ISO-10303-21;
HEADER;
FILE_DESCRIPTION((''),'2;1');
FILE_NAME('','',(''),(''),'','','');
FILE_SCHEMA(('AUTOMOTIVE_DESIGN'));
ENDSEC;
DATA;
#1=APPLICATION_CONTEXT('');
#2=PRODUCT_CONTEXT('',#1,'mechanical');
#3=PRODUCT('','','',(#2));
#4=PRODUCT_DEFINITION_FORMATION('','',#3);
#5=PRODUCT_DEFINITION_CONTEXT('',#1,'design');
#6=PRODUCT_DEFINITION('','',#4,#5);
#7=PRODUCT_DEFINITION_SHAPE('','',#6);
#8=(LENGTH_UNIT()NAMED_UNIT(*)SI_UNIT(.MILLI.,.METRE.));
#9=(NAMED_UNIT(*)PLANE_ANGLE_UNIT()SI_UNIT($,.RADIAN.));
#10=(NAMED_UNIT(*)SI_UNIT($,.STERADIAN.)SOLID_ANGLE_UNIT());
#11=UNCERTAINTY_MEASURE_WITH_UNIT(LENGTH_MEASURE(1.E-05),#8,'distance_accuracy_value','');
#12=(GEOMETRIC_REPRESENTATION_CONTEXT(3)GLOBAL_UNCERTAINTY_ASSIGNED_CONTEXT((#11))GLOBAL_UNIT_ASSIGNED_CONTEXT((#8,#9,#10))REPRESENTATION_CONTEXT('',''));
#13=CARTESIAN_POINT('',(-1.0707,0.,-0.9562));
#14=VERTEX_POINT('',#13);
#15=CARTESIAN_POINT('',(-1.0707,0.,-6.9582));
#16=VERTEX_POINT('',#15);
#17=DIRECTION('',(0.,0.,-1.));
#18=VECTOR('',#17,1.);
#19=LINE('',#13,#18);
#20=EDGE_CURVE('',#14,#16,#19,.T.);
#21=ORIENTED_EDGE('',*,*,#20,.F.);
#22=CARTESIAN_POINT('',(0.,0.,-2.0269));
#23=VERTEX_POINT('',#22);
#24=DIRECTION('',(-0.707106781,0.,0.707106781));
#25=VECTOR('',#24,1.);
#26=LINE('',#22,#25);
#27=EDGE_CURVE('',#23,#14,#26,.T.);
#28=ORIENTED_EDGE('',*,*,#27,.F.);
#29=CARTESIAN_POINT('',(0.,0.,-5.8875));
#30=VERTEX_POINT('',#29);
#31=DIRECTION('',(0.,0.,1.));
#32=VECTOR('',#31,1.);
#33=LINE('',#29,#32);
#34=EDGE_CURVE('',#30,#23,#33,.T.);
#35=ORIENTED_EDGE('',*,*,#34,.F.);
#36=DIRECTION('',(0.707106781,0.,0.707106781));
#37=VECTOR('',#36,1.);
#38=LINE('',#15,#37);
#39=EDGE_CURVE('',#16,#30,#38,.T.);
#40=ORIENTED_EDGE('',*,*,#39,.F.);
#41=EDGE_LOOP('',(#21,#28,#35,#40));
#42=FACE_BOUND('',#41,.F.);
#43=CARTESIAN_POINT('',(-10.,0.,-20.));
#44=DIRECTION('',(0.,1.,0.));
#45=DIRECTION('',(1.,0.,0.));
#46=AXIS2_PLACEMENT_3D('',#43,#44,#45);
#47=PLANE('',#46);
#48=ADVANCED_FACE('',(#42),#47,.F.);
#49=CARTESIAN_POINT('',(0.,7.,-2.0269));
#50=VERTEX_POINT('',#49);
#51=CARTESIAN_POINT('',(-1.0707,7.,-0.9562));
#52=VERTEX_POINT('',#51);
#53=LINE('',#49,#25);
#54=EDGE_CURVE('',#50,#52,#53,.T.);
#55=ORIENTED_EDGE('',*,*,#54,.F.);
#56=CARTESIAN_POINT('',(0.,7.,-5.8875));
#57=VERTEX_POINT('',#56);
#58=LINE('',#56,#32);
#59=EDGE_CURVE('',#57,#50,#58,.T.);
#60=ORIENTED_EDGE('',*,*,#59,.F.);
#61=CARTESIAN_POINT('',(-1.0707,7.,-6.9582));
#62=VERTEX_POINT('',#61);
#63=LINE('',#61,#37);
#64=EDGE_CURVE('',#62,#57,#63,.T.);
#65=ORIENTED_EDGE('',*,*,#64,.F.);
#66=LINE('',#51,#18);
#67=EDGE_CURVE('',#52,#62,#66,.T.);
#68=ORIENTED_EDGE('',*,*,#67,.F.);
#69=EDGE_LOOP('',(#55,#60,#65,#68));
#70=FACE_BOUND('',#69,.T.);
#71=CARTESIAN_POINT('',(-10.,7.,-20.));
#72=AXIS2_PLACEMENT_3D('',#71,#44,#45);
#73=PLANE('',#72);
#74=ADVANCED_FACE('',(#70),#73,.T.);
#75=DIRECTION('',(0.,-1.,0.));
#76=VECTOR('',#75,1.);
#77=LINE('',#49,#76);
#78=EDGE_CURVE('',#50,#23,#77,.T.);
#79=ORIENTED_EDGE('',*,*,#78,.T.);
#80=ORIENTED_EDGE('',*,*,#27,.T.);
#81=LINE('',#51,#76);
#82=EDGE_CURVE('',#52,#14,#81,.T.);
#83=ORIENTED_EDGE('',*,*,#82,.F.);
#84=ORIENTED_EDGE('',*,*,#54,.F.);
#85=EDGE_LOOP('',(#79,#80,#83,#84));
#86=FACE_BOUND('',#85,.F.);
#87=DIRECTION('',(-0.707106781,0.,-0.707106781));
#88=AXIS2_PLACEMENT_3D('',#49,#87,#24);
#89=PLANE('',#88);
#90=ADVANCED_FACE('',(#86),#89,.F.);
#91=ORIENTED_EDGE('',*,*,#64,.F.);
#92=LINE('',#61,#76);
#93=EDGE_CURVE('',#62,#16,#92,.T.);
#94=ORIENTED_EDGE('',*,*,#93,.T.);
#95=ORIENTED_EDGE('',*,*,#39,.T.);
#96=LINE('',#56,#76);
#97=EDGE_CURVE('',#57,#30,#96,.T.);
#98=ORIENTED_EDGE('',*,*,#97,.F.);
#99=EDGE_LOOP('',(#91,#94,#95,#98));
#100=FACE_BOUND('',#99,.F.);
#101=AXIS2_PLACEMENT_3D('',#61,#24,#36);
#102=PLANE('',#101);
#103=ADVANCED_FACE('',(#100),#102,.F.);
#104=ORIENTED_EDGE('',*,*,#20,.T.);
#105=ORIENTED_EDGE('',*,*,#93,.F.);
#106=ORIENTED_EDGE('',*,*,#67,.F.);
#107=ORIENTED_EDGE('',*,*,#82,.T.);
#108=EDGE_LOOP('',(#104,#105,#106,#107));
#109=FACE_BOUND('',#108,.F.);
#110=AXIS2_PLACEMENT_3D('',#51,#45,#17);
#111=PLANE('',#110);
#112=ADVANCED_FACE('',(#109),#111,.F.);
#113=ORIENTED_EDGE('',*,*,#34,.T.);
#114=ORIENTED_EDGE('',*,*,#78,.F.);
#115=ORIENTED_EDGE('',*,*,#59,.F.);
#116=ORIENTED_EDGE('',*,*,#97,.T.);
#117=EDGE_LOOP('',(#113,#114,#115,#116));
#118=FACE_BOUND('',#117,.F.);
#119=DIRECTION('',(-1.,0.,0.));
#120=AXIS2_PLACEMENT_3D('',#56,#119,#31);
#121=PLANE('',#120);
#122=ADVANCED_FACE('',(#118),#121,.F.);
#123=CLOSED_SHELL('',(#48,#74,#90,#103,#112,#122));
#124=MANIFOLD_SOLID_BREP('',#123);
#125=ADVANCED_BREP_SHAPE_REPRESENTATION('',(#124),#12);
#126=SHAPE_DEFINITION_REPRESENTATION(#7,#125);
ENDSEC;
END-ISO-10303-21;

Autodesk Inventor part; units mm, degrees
ref_plane "YZ Plane" through (0, 0, 0) normal (1, 0, 0) x (0, 1, 0)
ref_plane "XZ Plane" through (0, 0, 0) normal (0, 1, 0) x (-1, 0, 0)
ref_plane "XY Plane" through (0, 0, 0) normal (0, 0, 1) x (1, 0, 0)
ref_plane "Work Plane1" through (-10, 7, -20) normal (0, 1, 0) x (1, 0, 0)
sketch "Sketch3" plane through (-10, 7, -20) normal (0, 1, 0) x (1, 0, 0)
  line L0 (8.9293, -13.0418) -> (10, -14.1125) projected
  line L1 (8.9293, -19.0438) -> (8.9293, -13.0418) projected
  line L2 (10, -17.9731) -> (8.9293, -19.0438) projected
  line L3 (8.9293, -19.0438) -> (10, -17.9731) projected
  line L4 (10, -17.9731) -> (8.9293, -19.0438)
  line L5 (8.9293, -13.0418) -> (8.9293, -19.0438) projected
  line L6 (8.9293, -19.0438) -> (8.9293, -13.0418)
  line L7 (8.9293, -13.0418) -> (10, -14.1125)
  line L8 (10, -14.1125) -> (10, -17.9731)
  line L9 (10, -14.1125) -> (8.9293, -13.0418) projected
  line L10 (10, -17.9731) -> (10, -14.1125)
  line L11 (10, -14.1125) -> (10, -17.9731)
  point P0 (10, -20)
extrude "Extrusion1" add sketch "Sketch3" against normal blind 7
properties part number "last_drill_slide_fit"
